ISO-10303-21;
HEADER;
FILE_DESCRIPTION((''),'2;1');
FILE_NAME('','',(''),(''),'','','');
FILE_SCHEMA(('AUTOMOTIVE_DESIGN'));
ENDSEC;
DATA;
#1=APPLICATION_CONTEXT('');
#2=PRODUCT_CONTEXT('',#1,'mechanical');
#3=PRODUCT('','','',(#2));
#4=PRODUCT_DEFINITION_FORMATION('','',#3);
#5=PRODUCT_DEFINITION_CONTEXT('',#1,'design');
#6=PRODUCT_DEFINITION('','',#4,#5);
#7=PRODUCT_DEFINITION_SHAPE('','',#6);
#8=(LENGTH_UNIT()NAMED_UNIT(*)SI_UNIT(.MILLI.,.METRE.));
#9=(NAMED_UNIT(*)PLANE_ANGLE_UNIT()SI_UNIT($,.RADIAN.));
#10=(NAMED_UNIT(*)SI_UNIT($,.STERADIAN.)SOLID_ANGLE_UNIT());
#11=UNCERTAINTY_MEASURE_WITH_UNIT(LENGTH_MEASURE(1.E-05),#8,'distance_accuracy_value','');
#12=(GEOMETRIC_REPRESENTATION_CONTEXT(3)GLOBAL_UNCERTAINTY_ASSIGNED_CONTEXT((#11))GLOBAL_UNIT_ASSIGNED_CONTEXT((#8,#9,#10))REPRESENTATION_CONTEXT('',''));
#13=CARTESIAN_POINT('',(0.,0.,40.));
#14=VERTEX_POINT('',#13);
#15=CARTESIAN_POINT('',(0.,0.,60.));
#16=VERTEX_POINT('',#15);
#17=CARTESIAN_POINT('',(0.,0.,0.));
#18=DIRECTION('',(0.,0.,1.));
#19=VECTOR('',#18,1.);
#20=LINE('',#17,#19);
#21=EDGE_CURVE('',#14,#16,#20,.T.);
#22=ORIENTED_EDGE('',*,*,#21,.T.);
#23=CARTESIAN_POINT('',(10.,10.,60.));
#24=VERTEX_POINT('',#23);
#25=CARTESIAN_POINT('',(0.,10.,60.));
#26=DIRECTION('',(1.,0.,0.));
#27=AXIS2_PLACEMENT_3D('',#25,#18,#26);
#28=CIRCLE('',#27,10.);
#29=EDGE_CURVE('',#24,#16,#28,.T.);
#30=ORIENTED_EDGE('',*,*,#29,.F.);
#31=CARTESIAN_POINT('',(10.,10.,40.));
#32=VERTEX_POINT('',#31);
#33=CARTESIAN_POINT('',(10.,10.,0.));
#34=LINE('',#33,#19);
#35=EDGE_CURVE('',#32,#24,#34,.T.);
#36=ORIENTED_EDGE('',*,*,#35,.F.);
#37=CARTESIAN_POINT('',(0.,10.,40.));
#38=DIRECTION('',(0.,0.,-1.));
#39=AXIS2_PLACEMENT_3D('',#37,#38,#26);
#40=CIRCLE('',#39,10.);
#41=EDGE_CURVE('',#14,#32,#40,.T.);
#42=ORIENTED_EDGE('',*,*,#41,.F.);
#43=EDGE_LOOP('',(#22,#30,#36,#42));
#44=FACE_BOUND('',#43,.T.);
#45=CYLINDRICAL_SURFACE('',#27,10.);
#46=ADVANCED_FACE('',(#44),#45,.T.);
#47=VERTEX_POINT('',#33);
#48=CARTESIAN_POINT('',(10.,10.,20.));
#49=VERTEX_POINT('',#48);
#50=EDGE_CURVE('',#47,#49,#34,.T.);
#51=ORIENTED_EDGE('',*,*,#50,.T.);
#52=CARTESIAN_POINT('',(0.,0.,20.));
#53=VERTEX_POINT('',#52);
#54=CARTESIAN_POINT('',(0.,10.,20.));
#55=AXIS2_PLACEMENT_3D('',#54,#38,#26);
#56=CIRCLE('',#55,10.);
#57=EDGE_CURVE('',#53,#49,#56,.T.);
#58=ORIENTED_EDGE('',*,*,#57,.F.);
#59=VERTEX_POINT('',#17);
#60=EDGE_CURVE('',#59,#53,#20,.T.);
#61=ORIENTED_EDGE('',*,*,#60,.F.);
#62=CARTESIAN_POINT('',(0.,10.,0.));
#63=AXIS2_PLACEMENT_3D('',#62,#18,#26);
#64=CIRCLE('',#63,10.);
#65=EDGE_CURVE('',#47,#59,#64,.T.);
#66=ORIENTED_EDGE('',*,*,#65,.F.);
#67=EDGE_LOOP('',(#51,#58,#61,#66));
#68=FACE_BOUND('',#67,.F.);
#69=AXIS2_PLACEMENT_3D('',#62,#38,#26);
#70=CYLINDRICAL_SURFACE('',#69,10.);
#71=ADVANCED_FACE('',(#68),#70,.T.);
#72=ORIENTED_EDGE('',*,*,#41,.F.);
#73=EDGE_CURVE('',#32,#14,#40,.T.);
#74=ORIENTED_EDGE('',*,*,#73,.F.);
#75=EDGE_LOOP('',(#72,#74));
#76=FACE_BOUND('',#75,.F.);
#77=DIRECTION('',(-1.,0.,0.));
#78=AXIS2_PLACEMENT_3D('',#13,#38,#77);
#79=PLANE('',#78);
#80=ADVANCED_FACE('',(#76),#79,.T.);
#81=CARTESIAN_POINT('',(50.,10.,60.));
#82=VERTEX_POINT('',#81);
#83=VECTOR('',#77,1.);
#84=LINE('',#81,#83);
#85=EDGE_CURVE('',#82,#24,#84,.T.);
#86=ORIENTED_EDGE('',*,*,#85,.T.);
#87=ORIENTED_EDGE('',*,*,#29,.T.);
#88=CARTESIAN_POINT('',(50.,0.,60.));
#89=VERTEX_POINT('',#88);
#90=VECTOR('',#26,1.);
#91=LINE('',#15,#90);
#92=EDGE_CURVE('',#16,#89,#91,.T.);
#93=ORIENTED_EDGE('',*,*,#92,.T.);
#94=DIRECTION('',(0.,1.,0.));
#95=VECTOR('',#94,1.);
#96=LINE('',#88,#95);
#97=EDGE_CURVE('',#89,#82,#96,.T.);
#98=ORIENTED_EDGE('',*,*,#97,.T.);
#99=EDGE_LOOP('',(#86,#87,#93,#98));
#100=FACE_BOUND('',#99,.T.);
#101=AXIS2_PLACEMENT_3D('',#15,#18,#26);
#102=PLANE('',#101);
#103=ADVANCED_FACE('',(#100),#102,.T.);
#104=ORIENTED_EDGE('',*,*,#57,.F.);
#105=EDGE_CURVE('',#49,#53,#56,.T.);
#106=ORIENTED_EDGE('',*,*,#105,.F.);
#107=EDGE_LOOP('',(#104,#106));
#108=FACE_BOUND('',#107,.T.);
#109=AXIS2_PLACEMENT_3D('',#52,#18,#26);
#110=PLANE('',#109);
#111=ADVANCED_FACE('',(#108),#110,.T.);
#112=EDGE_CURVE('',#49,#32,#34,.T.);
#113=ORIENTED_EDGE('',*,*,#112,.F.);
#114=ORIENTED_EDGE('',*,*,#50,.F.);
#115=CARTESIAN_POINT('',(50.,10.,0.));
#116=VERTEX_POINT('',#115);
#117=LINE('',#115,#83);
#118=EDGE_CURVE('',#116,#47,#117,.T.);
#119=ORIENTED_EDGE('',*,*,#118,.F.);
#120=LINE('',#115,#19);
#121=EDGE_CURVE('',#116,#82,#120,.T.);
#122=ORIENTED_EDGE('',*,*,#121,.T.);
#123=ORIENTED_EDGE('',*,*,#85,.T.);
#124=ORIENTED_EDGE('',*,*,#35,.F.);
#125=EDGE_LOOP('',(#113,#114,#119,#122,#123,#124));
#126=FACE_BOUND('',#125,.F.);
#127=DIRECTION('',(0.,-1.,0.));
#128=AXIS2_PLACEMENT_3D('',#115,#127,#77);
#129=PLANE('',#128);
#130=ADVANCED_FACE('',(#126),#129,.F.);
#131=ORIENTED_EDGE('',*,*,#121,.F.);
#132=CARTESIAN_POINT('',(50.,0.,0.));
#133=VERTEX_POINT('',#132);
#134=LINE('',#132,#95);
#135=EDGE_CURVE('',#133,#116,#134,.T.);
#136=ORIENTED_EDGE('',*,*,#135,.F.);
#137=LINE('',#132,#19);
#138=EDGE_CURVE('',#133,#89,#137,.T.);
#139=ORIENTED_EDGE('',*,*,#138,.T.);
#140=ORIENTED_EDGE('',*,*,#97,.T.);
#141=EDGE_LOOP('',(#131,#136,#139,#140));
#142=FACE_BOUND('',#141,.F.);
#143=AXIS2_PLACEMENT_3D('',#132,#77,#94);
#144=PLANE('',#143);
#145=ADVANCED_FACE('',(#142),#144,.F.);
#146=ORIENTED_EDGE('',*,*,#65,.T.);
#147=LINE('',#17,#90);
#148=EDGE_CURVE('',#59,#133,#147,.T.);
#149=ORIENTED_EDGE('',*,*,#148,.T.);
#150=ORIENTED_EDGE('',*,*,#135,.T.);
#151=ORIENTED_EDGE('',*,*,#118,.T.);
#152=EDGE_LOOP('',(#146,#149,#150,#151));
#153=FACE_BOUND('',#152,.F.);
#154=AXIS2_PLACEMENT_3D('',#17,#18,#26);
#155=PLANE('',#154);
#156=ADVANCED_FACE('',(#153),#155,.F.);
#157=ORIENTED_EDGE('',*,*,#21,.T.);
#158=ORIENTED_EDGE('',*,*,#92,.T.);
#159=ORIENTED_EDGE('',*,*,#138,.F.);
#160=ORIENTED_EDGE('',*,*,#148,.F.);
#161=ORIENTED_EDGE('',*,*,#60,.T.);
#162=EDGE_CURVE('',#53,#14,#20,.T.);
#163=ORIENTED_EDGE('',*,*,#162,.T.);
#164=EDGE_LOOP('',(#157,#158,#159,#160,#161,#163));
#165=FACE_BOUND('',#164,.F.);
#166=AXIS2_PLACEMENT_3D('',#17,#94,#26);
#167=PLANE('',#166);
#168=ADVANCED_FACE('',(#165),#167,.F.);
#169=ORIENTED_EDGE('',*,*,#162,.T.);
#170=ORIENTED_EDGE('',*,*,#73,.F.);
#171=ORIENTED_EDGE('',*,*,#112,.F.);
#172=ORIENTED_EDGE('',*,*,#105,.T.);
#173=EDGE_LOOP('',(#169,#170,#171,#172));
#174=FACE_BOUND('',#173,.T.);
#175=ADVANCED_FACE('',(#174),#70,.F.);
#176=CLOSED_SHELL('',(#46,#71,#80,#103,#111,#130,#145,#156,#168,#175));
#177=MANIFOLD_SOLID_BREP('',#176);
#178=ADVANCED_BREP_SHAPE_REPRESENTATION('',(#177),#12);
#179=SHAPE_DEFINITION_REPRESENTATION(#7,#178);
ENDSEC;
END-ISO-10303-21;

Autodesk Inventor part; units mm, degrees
ref_plane "YZ Plane" through (0, 0, 0) normal (1, 0, 0) x (0, 1, 0)
ref_plane "XZ Plane" through (0, 0, 0) normal (0, 1, 0) x (-1, 0, 0)
sketch "Sketch1" plane through (0, 0, 0) normal (0, 0, 1) x (1, 0, 0)
  line L0 (0, 0) -> (50, 0)
  line L1 (50, 0) -> (50, 10)
  line L2 (50, 10) -> (0, 10)
  line L3 (0, 10) -> (0, 0)
  circle A0 centre (0, 10) radius 10
  point P0 (10, 10)
  dimension "d0" = 50
  dimension "d1" = 10
  dimension "d2" = 20
  dimension "d3" = 0
extrude "Extrusion1" add sketch "Sketch1" along normal blind 60 contours A0 L2 L1 L0
extrude "Extrusion2" add sketch "Sketch1" along normal blind 20 contours A0 L2 L3 | L3 L2 A0
ref_plane "Work Plane1" through (0, 0, 30) normal (0, 0, 1) x (1, 0, 0)
mirror "Mirror1" about plane through (0, 0, 30) normal (0, 0, 1) of "Extrusion2"
properties part number "left_hinge"
